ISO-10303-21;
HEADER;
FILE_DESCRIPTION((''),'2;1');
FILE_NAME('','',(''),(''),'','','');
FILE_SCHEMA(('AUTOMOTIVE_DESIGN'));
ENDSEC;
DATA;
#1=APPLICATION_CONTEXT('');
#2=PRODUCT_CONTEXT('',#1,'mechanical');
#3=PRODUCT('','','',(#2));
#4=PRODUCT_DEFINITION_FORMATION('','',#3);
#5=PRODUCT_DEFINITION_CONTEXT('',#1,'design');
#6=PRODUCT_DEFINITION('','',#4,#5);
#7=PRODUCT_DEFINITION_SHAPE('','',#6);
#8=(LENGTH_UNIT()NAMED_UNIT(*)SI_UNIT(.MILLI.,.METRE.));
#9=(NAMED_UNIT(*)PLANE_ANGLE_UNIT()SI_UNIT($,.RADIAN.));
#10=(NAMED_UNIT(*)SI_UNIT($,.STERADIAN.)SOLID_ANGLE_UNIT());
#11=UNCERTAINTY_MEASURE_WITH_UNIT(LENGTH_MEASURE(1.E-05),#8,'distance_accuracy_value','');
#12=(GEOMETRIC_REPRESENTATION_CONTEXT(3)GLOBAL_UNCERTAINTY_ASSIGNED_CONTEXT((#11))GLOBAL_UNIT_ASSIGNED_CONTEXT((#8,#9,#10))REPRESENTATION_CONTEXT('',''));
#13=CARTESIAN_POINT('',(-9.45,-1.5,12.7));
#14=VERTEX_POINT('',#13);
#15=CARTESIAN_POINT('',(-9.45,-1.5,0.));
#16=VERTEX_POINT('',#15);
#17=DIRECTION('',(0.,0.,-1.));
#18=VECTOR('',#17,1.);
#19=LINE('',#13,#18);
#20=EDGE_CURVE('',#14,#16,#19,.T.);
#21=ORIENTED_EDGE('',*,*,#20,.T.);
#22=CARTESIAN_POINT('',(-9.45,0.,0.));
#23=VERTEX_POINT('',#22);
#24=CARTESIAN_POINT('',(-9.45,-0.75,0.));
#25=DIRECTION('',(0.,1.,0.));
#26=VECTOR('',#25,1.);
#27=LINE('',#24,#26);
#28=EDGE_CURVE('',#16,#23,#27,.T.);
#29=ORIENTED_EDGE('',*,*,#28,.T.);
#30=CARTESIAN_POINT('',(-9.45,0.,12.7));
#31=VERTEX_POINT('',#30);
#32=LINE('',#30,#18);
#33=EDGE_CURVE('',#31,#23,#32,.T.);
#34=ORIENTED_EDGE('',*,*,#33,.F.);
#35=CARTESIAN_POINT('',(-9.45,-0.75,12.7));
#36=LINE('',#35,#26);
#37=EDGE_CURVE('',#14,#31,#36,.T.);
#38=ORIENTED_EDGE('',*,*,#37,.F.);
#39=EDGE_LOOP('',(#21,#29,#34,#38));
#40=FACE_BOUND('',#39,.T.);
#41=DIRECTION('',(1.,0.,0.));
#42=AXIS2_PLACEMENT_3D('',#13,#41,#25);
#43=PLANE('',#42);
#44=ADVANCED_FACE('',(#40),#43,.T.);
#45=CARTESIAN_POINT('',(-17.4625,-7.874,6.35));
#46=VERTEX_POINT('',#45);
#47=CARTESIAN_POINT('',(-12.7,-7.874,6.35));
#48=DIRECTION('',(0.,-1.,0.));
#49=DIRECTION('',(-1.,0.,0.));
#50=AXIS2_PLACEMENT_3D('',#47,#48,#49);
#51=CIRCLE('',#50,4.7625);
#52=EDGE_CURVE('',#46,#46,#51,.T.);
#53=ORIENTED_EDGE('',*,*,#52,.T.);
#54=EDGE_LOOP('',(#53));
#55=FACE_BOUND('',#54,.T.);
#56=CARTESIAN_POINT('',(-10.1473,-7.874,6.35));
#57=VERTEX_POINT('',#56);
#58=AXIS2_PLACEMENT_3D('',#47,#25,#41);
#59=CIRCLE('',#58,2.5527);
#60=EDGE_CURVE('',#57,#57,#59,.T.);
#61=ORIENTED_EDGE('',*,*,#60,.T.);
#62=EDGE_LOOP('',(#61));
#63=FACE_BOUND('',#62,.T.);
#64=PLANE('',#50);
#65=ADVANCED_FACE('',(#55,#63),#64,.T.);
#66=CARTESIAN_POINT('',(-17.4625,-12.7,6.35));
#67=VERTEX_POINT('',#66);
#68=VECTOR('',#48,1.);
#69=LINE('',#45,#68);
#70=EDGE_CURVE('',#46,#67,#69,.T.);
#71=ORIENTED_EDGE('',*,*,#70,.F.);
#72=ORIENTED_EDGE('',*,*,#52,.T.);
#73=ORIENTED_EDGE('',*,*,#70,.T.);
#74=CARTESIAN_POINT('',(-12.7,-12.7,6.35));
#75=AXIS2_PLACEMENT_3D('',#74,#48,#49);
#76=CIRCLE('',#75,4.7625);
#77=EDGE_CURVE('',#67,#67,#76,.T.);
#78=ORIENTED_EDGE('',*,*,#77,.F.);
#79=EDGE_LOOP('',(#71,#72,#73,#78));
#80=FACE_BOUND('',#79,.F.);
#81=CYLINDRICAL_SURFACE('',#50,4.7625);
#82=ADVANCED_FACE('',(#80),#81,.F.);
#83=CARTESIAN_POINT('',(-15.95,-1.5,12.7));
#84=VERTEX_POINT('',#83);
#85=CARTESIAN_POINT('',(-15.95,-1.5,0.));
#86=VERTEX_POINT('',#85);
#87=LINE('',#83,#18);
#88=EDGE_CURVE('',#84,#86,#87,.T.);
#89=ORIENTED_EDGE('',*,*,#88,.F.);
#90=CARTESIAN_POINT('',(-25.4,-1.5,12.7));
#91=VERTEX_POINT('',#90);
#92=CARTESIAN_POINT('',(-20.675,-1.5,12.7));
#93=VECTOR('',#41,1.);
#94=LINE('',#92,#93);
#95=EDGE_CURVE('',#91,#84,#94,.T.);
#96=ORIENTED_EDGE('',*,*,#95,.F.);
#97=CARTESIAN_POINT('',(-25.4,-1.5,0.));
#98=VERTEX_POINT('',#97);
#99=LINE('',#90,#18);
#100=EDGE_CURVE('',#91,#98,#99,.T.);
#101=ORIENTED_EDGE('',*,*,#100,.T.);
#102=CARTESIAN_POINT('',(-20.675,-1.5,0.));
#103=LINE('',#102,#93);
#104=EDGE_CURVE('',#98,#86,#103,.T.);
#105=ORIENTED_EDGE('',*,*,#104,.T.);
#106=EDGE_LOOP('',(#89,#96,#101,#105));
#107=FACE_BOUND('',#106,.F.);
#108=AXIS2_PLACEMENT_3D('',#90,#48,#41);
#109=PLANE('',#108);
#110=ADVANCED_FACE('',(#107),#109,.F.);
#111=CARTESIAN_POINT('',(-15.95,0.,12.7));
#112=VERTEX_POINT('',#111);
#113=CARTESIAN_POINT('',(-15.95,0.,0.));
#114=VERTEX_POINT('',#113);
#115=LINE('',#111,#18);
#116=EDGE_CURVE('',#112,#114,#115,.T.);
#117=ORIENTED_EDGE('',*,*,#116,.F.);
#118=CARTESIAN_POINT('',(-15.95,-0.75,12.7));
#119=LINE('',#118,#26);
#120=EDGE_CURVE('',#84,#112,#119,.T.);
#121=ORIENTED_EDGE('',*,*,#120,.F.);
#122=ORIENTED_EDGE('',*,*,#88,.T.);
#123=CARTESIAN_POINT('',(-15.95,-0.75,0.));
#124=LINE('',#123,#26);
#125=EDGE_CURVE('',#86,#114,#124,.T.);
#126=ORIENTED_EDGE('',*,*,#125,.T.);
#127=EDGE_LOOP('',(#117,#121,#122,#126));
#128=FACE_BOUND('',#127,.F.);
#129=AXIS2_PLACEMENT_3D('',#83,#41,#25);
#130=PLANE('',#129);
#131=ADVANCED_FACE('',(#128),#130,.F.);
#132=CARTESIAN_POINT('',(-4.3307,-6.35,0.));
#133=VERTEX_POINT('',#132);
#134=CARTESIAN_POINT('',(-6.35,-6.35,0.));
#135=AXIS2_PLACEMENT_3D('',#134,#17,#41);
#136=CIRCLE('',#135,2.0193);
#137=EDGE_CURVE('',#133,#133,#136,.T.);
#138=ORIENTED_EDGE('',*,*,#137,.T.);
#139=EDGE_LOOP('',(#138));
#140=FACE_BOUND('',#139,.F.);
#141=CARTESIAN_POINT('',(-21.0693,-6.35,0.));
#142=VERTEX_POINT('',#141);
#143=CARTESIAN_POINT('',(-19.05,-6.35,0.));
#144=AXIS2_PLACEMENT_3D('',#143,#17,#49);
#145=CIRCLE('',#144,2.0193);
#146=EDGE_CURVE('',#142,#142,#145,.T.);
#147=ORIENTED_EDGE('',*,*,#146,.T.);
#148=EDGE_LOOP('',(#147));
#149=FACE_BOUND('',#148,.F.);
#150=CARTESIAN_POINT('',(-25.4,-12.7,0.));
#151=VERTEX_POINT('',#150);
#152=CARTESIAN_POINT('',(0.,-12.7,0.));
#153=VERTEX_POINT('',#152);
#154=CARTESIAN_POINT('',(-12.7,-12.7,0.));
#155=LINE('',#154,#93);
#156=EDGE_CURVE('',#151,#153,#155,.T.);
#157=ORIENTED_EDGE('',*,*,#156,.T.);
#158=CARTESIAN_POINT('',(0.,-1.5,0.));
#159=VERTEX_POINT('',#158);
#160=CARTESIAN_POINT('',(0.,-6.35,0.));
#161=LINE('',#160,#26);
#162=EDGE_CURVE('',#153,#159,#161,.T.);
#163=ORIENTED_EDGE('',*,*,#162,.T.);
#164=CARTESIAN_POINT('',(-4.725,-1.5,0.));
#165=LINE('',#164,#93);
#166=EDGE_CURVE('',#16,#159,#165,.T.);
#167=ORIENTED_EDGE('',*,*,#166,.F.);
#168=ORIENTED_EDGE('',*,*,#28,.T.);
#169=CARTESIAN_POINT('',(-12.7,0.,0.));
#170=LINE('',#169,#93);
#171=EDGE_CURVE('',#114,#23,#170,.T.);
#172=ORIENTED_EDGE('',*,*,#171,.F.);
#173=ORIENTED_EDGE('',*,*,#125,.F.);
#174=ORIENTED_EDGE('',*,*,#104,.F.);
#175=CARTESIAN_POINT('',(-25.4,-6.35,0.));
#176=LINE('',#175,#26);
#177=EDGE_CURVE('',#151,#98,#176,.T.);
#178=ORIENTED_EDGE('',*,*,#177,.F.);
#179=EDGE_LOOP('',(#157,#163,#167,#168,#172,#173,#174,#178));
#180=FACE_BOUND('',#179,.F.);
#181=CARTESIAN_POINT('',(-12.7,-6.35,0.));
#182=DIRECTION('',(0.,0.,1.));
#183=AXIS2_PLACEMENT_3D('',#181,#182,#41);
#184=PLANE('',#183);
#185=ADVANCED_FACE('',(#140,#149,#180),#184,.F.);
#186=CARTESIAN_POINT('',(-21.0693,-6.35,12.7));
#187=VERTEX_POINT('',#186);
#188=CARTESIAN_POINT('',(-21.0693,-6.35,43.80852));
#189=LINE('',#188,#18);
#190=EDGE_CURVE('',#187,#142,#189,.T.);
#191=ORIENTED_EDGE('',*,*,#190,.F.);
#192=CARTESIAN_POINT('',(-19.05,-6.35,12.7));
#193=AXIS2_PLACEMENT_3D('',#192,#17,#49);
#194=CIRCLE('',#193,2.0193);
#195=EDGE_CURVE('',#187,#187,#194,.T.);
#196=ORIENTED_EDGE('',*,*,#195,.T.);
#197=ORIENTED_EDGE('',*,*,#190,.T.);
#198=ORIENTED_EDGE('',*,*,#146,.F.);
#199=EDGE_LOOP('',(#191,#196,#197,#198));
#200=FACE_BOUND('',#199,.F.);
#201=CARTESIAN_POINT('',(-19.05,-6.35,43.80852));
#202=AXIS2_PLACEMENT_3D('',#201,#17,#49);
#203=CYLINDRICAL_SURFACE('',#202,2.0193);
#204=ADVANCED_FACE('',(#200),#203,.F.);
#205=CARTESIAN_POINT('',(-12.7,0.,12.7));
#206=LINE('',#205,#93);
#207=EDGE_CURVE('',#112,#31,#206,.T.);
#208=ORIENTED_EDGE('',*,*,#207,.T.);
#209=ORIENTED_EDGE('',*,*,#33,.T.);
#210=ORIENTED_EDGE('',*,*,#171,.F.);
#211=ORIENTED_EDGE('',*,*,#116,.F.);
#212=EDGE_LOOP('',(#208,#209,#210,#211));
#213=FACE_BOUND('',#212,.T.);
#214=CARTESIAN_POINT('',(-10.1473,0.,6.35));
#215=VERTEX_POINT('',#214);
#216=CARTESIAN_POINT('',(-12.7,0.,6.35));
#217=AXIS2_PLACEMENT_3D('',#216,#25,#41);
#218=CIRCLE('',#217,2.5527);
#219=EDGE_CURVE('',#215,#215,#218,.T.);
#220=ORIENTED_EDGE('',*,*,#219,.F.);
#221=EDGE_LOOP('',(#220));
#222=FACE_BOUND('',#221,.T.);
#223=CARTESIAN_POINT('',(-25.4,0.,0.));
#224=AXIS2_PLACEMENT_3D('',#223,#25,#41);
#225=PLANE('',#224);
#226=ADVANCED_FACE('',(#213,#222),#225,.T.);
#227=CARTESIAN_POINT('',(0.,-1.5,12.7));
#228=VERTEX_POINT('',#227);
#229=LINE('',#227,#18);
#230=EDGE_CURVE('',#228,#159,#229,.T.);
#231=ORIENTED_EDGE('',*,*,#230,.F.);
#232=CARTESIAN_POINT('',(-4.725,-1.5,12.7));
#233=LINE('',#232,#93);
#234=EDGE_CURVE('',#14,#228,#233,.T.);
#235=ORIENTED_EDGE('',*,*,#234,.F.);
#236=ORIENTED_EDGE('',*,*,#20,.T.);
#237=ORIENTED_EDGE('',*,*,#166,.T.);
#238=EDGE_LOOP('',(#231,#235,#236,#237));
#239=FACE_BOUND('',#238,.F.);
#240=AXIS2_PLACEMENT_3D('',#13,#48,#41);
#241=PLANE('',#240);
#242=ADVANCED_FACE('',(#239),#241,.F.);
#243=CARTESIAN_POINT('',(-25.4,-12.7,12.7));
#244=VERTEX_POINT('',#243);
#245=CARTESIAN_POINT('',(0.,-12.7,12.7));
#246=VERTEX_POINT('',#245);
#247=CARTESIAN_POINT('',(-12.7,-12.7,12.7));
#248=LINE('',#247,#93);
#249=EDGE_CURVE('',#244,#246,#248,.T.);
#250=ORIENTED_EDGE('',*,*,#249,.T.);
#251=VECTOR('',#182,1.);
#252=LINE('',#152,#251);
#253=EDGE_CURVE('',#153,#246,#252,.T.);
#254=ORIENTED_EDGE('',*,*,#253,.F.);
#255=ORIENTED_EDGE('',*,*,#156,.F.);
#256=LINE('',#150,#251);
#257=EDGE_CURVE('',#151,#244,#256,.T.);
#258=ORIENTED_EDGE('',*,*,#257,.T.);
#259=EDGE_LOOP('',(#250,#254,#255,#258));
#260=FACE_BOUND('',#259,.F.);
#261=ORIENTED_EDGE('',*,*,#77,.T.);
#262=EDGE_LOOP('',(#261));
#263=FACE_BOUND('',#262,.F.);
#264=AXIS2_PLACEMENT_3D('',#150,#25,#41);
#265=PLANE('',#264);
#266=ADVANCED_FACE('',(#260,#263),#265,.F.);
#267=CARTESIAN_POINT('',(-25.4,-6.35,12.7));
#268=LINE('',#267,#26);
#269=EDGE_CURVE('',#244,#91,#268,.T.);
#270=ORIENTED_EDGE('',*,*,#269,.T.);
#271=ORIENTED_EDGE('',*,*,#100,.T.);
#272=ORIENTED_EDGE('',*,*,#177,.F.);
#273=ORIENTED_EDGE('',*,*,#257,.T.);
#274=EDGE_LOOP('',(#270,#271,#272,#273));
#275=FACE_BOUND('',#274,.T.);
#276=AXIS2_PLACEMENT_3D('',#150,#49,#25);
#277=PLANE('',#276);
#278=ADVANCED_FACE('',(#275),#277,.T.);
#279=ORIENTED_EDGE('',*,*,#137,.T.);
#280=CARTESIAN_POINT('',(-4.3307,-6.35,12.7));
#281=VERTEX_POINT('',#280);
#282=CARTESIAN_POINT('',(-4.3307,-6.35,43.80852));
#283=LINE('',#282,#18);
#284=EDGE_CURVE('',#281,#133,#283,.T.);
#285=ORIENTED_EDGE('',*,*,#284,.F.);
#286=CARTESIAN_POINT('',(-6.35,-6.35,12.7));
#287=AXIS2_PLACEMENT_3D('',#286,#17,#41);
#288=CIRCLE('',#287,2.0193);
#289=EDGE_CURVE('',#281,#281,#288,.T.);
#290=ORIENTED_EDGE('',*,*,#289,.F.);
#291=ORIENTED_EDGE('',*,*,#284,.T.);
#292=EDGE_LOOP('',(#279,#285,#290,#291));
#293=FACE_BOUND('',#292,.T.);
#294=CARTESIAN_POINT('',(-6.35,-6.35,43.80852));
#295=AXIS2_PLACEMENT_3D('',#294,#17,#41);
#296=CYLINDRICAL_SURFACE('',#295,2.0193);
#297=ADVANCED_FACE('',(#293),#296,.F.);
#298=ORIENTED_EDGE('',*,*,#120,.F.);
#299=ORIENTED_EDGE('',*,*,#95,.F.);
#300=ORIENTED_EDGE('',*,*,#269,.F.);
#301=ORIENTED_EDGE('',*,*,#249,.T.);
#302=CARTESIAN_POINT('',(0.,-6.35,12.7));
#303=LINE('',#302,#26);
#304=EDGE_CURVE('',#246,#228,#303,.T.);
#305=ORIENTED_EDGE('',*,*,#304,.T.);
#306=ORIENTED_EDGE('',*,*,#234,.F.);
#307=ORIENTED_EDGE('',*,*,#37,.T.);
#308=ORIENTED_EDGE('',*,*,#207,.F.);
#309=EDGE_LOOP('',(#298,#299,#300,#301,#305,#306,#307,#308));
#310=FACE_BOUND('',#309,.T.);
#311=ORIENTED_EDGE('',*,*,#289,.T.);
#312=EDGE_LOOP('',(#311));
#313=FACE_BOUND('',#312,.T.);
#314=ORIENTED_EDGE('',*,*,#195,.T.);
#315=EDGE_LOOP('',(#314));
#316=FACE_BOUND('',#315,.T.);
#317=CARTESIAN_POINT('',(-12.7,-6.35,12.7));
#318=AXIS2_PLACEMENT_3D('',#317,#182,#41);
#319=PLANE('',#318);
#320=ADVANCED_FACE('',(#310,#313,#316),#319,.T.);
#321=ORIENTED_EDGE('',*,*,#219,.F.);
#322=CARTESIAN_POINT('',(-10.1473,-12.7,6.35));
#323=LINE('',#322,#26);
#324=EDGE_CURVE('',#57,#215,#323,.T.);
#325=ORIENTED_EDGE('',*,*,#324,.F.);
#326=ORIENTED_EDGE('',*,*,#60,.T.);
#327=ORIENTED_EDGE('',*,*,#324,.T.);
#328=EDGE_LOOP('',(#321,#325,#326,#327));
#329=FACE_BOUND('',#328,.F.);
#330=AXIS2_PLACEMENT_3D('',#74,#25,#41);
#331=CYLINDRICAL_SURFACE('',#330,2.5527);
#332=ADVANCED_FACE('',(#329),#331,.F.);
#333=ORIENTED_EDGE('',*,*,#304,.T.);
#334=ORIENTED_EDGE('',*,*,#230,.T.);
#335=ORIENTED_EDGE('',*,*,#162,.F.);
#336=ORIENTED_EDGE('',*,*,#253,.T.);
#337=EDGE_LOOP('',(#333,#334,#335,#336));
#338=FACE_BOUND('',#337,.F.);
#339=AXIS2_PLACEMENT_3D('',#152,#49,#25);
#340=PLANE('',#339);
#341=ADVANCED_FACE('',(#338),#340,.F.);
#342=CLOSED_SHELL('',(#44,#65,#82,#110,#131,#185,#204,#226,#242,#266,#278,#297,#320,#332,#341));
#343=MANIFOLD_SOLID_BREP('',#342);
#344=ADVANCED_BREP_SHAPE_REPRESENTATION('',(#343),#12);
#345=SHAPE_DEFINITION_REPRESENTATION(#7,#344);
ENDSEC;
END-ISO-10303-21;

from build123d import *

# Parameters (mm, degrees)
SKETCH5_W                                       = 25.4
SKETCH5_H                                       = 12.7
BOSS_EXTRUDE2_DEPTH                             = 12.7
F_10_32_TAPPED_HOLE1_D                          = 4.0386
SKETCH6_W                                       = 9.45
SKETCH6_H                                       = 1.5
CUT_EXTRUDE1_DEPTH                              = 12.7
CBORE_FOR_10_SOCKET_HEAD_CAP_SCREW2_D           = 5.1054
CBORE_FOR_10_SOCKET_HEAD_CAP_SCREW2_CBORE_D     = 9.525
CBORE_FOR_10_SOCKET_HEAD_CAP_SCREW2_CBORE_DEPTH = 4.826


with BuildPart() as part:
    # Sketch5 → Boss-Extrude2 (new body)
    with BuildSketch(Plane.XY):
        with Locations((-12.7, -6.35)):
            Rectangle(SKETCH5_W, SKETCH5_H)
    extrude(amount=BOSS_EXTRUDE2_DEPTH)

    # #10-32 Tapped Hole1 (through all)
    with Locations(Plane.XY.offset(12.7)):
        with Locations((-19.05, -6.35)):
            f_10_32_tapped_hole1 = Hole(F_10_32_TAPPED_HOLE1_D / 2)

    # Mirror1: #10-32 Tapped Hole1 across plane
    add(f_10_32_tapped_hole1.mirror(Plane.ZY.offset(12.7)), mode=Mode.SUBTRACT)

    # Sketch6 → Cut-Extrude1 (cut)
    with BuildSketch(Plane.XY.offset(12.7)):
        with Locations((-20.675, -0.75)):
            Rectangle(SKETCH6_W, SKETCH6_H)
        with Locations((-4.725, -0.75)):
            Rectangle(SKETCH6_W, SKETCH6_H)
    extrude(amount=-CUT_EXTRUDE1_DEPTH, mode=Mode.SUBTRACT)

    # CBORE for #10 Socket Head Cap Screw2 (through all)
    with Locations(Plane(origin=(0, -12.7, 0), x_dir=(-1, 0, 0), z_dir=(0, -1, 0))):
        with Locations((12.7, -6.35)):
            CounterBoreHole(CBORE_FOR_10_SOCKET_HEAD_CAP_SCREW2_D / 2, CBORE_FOR_10_SOCKET_HEAD_CAP_SCREW2_CBORE_D / 2, CBORE_FOR_10_SOCKET_HEAD_CAP_SCREW2_CBORE_DEPTH)


solid = part.part
